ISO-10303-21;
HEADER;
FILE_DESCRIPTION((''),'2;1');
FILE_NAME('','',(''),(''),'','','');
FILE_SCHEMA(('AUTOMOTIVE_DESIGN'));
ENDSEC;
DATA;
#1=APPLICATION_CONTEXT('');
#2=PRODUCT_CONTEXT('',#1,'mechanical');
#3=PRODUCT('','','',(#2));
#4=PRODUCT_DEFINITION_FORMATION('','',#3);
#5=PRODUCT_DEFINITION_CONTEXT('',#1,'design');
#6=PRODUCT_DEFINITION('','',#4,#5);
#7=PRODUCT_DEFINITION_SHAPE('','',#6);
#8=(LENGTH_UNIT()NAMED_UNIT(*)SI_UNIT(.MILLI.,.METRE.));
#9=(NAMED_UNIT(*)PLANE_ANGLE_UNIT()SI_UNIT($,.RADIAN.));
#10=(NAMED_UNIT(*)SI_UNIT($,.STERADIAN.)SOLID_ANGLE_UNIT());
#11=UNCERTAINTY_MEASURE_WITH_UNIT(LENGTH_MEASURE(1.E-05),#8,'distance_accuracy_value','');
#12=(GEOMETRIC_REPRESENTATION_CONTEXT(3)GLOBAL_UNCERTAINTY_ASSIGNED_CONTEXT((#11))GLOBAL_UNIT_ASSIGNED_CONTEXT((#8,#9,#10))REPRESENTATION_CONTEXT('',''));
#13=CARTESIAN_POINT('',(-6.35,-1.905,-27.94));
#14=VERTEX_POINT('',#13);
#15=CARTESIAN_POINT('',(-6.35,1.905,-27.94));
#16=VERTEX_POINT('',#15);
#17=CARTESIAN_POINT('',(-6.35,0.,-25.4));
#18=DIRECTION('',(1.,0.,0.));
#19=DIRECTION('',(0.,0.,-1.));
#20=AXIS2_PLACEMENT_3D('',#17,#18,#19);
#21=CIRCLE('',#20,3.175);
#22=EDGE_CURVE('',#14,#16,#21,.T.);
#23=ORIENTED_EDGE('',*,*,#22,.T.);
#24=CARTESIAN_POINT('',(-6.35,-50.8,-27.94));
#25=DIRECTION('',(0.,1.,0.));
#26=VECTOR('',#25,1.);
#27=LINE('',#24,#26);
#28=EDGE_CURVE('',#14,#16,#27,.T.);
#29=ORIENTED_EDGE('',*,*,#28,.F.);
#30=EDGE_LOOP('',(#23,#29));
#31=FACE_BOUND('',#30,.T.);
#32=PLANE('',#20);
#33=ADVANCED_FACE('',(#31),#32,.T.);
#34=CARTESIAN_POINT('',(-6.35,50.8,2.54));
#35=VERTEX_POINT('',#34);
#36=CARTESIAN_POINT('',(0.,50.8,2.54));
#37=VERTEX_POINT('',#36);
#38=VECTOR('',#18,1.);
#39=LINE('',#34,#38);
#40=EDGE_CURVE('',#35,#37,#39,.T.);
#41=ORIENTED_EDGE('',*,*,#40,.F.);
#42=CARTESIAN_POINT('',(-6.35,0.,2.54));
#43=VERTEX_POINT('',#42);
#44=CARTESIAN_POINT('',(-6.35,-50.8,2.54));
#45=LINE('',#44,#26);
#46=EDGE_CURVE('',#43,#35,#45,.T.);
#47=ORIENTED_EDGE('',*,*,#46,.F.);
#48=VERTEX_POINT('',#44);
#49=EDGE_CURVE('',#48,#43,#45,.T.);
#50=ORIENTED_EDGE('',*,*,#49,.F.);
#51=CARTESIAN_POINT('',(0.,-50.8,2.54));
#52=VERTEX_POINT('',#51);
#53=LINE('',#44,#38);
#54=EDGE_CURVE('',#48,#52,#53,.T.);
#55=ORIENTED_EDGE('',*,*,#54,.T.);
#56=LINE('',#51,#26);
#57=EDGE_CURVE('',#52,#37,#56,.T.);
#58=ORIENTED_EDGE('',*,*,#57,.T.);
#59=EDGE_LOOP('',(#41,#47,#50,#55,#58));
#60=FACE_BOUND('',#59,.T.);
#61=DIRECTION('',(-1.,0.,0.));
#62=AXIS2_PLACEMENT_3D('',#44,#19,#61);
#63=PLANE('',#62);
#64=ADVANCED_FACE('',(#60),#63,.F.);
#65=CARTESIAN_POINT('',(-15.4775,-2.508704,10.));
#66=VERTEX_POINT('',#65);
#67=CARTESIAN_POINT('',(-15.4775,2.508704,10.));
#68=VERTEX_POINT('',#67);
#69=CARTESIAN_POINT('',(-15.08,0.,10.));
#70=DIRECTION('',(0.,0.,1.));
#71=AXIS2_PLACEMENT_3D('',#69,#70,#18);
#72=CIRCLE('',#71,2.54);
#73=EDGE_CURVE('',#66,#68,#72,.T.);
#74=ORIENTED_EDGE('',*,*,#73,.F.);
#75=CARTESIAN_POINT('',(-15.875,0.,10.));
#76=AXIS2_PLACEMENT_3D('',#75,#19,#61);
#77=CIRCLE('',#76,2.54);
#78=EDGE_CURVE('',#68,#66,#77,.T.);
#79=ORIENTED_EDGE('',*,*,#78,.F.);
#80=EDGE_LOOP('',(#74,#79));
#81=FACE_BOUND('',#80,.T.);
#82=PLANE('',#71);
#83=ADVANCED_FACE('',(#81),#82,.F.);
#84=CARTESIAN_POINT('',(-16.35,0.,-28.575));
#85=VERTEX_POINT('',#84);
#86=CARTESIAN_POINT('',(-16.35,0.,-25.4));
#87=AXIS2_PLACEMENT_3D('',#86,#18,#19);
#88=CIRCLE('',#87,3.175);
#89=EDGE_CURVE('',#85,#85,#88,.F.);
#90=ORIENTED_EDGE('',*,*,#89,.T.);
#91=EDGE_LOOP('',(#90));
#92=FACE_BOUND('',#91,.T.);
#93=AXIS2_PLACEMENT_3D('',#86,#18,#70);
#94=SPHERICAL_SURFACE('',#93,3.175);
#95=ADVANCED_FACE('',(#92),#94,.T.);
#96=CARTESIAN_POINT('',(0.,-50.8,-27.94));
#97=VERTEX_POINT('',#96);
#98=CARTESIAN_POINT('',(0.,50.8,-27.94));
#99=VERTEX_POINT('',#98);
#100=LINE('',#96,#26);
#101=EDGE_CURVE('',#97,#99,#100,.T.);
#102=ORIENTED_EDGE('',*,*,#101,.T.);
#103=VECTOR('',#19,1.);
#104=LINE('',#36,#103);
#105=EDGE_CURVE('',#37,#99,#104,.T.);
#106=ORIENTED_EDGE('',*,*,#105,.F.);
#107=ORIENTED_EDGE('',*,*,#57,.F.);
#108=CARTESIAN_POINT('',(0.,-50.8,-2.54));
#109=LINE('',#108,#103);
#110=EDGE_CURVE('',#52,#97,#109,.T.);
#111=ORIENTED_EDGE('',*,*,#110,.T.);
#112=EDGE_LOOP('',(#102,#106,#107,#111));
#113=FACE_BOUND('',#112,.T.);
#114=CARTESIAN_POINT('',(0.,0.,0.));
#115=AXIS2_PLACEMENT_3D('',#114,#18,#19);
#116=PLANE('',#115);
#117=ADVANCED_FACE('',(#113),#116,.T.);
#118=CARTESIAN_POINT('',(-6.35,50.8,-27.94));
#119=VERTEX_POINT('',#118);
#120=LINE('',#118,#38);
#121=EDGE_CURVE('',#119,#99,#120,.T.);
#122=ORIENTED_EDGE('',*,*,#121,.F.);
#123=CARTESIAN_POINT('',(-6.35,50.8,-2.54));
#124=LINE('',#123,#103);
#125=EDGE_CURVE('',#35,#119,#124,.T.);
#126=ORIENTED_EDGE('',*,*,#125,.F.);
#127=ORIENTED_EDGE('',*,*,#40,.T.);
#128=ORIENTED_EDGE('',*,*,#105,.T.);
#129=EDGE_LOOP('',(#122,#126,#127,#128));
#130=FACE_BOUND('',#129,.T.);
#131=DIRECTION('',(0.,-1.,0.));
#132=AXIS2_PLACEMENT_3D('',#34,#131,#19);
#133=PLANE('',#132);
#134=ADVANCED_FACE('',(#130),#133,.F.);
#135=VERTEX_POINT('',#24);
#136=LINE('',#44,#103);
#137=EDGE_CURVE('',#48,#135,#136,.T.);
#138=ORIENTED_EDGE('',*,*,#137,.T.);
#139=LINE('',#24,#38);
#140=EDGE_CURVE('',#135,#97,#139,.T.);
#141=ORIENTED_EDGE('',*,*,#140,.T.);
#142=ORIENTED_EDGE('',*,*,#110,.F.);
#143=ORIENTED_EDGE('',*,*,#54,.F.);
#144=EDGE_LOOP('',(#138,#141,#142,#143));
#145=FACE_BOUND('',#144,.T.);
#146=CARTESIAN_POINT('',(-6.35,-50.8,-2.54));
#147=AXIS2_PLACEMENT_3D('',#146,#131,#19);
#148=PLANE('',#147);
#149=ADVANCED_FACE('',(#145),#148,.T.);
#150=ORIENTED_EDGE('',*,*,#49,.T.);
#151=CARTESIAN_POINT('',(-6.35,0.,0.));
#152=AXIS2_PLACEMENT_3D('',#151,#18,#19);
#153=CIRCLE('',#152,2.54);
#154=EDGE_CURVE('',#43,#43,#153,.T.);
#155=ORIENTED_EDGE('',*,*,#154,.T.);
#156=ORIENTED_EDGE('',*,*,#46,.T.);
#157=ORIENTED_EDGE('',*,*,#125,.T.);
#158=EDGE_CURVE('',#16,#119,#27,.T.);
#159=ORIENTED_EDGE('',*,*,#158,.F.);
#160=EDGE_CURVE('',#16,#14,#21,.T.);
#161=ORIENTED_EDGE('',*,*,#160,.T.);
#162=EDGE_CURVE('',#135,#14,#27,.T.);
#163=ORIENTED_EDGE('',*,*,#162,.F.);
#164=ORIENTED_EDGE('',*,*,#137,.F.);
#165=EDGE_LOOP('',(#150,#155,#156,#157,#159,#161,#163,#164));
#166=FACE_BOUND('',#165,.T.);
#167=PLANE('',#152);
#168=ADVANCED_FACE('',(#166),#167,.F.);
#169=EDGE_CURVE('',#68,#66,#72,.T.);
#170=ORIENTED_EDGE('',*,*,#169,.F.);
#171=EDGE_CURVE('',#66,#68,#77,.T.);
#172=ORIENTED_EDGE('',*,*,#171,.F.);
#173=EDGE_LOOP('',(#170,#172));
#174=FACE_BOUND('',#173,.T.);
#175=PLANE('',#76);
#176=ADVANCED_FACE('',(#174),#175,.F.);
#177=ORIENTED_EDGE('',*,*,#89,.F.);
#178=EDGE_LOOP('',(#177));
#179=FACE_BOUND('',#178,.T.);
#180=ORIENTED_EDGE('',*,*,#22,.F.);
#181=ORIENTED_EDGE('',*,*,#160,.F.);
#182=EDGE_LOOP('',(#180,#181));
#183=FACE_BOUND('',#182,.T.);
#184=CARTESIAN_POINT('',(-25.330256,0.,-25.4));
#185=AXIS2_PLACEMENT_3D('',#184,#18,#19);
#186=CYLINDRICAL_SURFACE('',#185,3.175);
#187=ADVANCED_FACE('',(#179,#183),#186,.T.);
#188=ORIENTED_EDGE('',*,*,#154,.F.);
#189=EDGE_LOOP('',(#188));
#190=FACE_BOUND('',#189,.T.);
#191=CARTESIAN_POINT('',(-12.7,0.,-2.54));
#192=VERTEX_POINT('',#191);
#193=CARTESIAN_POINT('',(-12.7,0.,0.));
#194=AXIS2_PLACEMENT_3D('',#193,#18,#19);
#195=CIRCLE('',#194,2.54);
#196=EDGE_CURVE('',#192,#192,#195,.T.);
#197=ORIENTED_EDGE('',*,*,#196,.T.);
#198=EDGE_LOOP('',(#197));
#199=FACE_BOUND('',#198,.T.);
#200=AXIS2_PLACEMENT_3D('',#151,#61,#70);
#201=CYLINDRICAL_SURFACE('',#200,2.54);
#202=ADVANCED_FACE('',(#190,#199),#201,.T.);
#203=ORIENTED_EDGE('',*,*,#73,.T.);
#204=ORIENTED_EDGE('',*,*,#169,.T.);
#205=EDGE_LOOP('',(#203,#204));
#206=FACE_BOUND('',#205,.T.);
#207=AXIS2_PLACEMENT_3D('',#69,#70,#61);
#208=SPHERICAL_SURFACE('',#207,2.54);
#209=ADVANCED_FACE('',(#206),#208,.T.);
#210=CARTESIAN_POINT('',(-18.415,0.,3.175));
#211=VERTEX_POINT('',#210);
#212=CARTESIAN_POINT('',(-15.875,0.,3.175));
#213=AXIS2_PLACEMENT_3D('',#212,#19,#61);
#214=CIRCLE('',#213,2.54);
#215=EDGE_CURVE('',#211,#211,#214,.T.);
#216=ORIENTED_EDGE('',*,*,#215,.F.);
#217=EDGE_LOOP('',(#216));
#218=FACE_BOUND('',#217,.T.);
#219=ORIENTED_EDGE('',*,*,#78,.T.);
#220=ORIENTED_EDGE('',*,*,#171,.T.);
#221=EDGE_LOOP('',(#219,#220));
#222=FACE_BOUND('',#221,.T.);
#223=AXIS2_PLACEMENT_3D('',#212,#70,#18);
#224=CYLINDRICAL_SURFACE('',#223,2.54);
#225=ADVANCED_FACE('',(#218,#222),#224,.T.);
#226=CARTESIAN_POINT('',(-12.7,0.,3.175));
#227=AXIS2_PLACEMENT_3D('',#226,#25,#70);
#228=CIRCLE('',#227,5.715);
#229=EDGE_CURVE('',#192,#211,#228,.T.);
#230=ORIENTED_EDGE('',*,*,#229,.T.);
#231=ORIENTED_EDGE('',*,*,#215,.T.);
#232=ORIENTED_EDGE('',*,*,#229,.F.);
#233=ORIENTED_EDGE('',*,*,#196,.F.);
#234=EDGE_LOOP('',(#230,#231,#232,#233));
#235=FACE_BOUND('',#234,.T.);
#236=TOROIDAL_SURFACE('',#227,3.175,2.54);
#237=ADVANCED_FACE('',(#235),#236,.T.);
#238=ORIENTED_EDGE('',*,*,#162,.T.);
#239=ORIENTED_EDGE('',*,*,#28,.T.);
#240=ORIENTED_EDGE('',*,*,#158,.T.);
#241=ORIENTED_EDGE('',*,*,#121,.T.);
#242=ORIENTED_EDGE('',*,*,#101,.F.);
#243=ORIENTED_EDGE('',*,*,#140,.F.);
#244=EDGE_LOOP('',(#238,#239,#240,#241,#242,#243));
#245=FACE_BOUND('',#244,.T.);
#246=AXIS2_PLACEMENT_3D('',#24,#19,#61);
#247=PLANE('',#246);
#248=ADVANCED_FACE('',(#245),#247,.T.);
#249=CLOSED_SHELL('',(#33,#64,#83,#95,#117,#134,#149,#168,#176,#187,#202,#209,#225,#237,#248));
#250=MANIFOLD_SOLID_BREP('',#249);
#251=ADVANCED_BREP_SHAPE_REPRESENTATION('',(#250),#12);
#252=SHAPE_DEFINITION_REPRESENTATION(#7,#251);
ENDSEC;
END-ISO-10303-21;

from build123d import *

# Parameters (mm, degrees)
BOSS_EXTRUDE1_DEPTH = 6.35
PEG_BASE_R          = 2.54
BOTTOM_PEG_R        = 3.175
BOSS_EXTRUDE2_DEPTH = 10


with BuildPart() as part:
    # Base → Boss-Extrude1 (new body)
    with BuildSketch(Plane.YZ):
        Polygon((-50.8, 2.54), (50.8, 2.54), (50.8, -2.54), (50.8, -27.94), (-50.8, -27.94), (-50.8, -2.54), align=None)
    extrude(amount=-BOSS_EXTRUDE1_DEPTH)

    # Top Peg: sweep along a path in Sweep 2
    with BuildLine(Plane(origin=(0, 0, 0), x_dir=(-1, 0, 0), z_dir=(0, 1, 0))) as top_peg_path:
        Line((6.35, 0), (12.7, 0))
        ThreePointArc((12.7, 0), (14.94506403, 0.92993597), (15.875, 3.175))
        Line((15.875, 3.175), (15.875, 10))
    # Peg Base → Top Peg (sweep)
    with BuildSketch(Plane.YZ.offset(-6.35)):
        Circle(PEG_BASE_R)
    sweep(path=top_peg_path.line)

    # Bottom Peg → Boss-Extrude2 (add)
    with BuildSketch(Plane.YZ.offset(-6.35)):
        with Locations(Location((0, -25.4, 0), (0, 0, 270))):
            Circle(BOTTOM_PEG_R)
    extrude(amount=-BOSS_EXTRUDE2_DEPTH)

    # Sketch4 → Revolve1 (revolve)
    with BuildSketch(Plane(origin=(0, 0, 0), x_dir=(-1, 0, 0), z_dir=(0, 1, 0))):
        with BuildLine():
            Line((15.08, 12.54), (15.08, 10))
            Line((15.08, 10), (17.62, 10))
            ThreePointArc((17.62, 10), (16.876051224, 11.796051224), (15.08, 12.54))
        make_face()
    revolve(axis=Axis((-15.08, 0, 12.54), (0, 0, -1)))

    # Bottom Ball Head → Revolve2 (revolve)
    with BuildSketch(Plane(origin=(0, 0, 0), x_dir=(-1, 0, 0), z_dir=(0, 1, 0)), mode=Mode.PRIVATE) as revolve2_sk:
        with BuildLine():
            ThreePointArc((19.525, -25.4), (18.59506403, -27.64506403), (16.35, -28.575))
            Line((16.35, -28.575), (16.35, -25.4))
            Line((16.35, -25.4), (19.525, -25.4))
        make_face()
    revolve(revolve2_sk.sketch.rotate(Axis((-16.35, 0, -25.4), (-1, 0, 0)), 180), axis=Axis((-16.35, 0, -25.4), (-1, 0, 0)))


solid = part.part
